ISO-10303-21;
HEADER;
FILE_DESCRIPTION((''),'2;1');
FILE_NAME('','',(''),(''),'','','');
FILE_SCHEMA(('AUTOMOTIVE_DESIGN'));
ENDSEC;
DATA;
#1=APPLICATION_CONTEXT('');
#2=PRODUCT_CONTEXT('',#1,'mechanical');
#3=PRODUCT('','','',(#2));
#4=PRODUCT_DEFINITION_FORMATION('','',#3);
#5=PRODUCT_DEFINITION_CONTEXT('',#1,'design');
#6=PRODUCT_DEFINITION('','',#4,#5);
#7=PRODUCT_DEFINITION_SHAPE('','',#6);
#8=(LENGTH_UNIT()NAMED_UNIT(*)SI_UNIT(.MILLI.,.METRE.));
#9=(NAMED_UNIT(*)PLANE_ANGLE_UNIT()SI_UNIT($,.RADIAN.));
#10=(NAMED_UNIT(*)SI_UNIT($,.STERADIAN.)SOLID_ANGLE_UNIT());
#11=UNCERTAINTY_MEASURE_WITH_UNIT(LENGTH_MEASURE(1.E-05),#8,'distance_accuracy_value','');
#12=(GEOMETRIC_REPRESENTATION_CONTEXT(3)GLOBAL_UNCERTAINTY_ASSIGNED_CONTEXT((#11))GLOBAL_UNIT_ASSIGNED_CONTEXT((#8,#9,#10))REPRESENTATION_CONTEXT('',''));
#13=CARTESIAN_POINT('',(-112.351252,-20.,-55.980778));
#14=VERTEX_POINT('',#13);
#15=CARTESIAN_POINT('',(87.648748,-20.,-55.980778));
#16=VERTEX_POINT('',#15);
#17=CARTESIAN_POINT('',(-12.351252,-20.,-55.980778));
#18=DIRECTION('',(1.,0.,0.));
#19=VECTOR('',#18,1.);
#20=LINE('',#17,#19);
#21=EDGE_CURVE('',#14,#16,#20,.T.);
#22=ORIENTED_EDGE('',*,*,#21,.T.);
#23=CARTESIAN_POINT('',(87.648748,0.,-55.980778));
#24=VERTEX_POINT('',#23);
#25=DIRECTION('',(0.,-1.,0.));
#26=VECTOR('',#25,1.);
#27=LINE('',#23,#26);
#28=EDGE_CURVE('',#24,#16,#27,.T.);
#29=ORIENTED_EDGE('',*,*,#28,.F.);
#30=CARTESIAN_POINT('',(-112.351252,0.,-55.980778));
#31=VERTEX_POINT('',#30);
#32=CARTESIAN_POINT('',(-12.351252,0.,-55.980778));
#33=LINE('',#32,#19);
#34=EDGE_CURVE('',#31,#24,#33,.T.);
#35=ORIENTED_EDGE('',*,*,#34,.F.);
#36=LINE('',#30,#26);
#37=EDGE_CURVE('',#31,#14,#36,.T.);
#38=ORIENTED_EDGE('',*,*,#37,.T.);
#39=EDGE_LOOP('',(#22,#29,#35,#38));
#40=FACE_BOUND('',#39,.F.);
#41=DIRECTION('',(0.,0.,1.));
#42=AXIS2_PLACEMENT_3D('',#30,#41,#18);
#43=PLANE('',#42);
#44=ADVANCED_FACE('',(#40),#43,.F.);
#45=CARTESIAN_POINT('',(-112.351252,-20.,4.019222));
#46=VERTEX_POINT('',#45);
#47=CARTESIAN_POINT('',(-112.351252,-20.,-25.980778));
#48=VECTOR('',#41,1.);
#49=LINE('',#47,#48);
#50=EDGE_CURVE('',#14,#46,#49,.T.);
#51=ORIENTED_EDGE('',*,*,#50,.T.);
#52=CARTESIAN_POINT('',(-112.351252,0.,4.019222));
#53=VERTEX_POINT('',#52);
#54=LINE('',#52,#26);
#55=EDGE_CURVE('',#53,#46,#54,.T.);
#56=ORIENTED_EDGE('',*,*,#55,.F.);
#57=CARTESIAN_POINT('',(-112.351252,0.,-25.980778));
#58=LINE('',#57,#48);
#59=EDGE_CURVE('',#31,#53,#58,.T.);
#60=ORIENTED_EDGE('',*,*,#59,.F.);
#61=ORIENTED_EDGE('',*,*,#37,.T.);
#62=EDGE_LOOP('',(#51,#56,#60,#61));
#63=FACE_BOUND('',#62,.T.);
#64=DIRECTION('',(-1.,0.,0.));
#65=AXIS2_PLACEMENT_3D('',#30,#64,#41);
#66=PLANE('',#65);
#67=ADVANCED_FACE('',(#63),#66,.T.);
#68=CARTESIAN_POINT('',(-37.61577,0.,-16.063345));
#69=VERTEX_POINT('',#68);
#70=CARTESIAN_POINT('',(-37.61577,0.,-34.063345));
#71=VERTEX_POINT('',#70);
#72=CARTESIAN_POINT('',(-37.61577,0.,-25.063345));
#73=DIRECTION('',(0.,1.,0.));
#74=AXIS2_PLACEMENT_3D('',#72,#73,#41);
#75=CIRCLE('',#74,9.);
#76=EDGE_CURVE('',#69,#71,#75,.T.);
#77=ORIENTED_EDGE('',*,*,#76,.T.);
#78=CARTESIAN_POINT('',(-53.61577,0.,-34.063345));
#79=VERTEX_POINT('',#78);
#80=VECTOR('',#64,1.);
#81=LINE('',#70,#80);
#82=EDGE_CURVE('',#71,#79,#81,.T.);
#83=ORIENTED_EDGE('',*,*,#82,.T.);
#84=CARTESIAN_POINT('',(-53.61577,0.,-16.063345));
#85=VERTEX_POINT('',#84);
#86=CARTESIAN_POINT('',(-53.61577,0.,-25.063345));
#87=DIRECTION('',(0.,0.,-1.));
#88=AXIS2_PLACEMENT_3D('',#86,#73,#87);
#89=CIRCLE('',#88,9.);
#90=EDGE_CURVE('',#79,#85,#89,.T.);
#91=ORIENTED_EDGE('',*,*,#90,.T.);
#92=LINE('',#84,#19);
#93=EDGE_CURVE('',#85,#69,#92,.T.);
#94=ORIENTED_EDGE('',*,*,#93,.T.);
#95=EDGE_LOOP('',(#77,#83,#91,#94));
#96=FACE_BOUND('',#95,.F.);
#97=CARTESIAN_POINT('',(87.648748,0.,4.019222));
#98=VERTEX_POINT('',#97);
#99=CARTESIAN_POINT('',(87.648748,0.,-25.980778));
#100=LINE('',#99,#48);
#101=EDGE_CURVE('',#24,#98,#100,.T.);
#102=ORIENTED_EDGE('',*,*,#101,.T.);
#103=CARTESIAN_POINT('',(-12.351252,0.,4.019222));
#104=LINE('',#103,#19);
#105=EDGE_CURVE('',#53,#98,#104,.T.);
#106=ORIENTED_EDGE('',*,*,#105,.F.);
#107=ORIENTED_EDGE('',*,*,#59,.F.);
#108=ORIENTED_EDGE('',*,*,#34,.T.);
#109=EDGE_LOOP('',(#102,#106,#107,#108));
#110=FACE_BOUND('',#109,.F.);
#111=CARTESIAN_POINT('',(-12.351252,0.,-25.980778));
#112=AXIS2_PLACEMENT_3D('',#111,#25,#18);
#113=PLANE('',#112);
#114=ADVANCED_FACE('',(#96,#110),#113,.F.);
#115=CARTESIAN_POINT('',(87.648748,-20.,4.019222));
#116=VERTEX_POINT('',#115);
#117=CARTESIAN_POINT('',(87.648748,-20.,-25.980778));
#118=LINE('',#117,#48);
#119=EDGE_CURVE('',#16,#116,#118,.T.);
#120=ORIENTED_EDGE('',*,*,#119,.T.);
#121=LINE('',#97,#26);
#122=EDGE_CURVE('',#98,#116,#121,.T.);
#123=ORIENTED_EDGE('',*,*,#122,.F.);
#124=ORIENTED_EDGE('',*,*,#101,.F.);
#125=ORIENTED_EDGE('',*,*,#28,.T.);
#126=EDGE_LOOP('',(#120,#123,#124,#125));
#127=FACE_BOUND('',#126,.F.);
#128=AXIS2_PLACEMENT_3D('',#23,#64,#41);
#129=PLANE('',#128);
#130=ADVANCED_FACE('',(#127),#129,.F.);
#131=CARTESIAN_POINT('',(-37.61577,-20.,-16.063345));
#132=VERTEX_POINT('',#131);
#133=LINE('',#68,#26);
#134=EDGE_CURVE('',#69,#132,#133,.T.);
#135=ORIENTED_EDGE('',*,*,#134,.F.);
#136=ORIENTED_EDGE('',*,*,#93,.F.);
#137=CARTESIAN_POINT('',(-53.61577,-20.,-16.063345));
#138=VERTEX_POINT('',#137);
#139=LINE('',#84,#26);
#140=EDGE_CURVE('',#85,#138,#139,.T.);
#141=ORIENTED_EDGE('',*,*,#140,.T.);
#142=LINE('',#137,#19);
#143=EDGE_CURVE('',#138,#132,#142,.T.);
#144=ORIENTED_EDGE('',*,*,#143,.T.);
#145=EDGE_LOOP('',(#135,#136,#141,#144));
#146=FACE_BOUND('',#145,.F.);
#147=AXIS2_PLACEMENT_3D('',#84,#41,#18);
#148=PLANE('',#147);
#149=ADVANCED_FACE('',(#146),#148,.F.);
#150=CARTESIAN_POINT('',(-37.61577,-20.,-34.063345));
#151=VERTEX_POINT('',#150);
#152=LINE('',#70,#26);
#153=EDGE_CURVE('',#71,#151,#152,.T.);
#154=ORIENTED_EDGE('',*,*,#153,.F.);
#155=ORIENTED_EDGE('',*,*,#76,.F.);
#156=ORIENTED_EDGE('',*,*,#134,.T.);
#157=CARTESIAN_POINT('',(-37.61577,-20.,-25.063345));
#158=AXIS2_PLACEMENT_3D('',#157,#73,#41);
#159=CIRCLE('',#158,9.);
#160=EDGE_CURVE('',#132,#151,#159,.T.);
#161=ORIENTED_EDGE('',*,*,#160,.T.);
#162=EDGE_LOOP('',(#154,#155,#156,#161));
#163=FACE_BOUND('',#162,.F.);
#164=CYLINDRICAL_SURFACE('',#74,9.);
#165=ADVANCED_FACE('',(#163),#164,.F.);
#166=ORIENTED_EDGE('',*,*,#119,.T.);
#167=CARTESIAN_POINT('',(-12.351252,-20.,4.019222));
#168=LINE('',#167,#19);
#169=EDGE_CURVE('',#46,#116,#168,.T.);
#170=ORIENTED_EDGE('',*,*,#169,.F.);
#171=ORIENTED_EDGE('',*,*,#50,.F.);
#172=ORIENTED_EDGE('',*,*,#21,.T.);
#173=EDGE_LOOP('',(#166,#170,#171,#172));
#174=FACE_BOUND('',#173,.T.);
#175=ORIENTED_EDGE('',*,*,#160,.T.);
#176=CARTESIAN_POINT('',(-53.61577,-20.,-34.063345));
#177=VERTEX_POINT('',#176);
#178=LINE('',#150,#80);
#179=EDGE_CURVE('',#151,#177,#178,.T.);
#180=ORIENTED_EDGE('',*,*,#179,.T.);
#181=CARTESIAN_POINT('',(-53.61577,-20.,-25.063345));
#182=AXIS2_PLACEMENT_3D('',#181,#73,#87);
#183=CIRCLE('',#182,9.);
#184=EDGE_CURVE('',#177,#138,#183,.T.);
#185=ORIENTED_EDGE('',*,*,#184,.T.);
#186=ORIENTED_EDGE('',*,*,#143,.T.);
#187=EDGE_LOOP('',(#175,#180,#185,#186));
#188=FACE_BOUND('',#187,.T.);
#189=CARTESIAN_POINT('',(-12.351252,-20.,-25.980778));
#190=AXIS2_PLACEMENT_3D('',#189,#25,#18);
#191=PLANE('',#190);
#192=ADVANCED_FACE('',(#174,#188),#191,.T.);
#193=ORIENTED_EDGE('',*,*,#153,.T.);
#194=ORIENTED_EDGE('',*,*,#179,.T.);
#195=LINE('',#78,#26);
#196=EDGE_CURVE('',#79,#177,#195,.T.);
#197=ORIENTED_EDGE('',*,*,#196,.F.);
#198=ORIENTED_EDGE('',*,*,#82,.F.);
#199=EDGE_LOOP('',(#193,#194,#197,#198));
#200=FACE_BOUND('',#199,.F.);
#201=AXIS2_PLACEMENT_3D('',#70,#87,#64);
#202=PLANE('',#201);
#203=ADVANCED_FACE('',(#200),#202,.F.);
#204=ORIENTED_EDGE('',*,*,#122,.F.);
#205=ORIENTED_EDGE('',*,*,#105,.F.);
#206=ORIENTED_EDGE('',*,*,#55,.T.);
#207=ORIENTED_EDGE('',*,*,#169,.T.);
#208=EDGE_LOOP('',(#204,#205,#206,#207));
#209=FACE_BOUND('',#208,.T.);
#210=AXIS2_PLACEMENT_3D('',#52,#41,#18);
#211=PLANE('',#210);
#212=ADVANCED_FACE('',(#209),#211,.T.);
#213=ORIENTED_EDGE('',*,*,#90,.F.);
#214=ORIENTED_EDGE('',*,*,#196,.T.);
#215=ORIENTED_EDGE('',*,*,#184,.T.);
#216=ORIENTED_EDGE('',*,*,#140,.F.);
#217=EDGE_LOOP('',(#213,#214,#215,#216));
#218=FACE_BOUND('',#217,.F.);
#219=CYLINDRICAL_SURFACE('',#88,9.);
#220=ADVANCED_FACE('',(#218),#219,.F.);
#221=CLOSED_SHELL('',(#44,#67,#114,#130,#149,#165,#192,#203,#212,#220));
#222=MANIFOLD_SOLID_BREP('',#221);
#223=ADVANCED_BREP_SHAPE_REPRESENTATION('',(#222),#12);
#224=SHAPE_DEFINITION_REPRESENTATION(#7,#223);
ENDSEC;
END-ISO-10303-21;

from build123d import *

# Parameters (mm, degrees)
F0_W     = 200
F0_H     = 60
F1_DEPTH = 20


with BuildPart() as f1:
    # F0 (on Front) → F1 (new body)
    with BuildSketch(Plane.XZ):
        with Locations((-12.351252, -25.980778)):
            Rectangle(F0_W, F0_H)
        with BuildLine():
            Line((-53.61577, -16.063345), (-37.61577, -16.063345))
            ThreePointArc((-37.61577, -16.063345), (-28.61577, -25.063345), (-37.61577, -34.063345))
            Line((-37.61577, -34.063345), (-53.61577, -34.063345))
            ThreePointArc((-53.61577, -34.063345), (-62.61577, -25.063345), (-53.61577, -16.063345))
        make_face(mode=Mode.SUBTRACT)
    extrude(amount=F1_DEPTH)


solid = f1.part
